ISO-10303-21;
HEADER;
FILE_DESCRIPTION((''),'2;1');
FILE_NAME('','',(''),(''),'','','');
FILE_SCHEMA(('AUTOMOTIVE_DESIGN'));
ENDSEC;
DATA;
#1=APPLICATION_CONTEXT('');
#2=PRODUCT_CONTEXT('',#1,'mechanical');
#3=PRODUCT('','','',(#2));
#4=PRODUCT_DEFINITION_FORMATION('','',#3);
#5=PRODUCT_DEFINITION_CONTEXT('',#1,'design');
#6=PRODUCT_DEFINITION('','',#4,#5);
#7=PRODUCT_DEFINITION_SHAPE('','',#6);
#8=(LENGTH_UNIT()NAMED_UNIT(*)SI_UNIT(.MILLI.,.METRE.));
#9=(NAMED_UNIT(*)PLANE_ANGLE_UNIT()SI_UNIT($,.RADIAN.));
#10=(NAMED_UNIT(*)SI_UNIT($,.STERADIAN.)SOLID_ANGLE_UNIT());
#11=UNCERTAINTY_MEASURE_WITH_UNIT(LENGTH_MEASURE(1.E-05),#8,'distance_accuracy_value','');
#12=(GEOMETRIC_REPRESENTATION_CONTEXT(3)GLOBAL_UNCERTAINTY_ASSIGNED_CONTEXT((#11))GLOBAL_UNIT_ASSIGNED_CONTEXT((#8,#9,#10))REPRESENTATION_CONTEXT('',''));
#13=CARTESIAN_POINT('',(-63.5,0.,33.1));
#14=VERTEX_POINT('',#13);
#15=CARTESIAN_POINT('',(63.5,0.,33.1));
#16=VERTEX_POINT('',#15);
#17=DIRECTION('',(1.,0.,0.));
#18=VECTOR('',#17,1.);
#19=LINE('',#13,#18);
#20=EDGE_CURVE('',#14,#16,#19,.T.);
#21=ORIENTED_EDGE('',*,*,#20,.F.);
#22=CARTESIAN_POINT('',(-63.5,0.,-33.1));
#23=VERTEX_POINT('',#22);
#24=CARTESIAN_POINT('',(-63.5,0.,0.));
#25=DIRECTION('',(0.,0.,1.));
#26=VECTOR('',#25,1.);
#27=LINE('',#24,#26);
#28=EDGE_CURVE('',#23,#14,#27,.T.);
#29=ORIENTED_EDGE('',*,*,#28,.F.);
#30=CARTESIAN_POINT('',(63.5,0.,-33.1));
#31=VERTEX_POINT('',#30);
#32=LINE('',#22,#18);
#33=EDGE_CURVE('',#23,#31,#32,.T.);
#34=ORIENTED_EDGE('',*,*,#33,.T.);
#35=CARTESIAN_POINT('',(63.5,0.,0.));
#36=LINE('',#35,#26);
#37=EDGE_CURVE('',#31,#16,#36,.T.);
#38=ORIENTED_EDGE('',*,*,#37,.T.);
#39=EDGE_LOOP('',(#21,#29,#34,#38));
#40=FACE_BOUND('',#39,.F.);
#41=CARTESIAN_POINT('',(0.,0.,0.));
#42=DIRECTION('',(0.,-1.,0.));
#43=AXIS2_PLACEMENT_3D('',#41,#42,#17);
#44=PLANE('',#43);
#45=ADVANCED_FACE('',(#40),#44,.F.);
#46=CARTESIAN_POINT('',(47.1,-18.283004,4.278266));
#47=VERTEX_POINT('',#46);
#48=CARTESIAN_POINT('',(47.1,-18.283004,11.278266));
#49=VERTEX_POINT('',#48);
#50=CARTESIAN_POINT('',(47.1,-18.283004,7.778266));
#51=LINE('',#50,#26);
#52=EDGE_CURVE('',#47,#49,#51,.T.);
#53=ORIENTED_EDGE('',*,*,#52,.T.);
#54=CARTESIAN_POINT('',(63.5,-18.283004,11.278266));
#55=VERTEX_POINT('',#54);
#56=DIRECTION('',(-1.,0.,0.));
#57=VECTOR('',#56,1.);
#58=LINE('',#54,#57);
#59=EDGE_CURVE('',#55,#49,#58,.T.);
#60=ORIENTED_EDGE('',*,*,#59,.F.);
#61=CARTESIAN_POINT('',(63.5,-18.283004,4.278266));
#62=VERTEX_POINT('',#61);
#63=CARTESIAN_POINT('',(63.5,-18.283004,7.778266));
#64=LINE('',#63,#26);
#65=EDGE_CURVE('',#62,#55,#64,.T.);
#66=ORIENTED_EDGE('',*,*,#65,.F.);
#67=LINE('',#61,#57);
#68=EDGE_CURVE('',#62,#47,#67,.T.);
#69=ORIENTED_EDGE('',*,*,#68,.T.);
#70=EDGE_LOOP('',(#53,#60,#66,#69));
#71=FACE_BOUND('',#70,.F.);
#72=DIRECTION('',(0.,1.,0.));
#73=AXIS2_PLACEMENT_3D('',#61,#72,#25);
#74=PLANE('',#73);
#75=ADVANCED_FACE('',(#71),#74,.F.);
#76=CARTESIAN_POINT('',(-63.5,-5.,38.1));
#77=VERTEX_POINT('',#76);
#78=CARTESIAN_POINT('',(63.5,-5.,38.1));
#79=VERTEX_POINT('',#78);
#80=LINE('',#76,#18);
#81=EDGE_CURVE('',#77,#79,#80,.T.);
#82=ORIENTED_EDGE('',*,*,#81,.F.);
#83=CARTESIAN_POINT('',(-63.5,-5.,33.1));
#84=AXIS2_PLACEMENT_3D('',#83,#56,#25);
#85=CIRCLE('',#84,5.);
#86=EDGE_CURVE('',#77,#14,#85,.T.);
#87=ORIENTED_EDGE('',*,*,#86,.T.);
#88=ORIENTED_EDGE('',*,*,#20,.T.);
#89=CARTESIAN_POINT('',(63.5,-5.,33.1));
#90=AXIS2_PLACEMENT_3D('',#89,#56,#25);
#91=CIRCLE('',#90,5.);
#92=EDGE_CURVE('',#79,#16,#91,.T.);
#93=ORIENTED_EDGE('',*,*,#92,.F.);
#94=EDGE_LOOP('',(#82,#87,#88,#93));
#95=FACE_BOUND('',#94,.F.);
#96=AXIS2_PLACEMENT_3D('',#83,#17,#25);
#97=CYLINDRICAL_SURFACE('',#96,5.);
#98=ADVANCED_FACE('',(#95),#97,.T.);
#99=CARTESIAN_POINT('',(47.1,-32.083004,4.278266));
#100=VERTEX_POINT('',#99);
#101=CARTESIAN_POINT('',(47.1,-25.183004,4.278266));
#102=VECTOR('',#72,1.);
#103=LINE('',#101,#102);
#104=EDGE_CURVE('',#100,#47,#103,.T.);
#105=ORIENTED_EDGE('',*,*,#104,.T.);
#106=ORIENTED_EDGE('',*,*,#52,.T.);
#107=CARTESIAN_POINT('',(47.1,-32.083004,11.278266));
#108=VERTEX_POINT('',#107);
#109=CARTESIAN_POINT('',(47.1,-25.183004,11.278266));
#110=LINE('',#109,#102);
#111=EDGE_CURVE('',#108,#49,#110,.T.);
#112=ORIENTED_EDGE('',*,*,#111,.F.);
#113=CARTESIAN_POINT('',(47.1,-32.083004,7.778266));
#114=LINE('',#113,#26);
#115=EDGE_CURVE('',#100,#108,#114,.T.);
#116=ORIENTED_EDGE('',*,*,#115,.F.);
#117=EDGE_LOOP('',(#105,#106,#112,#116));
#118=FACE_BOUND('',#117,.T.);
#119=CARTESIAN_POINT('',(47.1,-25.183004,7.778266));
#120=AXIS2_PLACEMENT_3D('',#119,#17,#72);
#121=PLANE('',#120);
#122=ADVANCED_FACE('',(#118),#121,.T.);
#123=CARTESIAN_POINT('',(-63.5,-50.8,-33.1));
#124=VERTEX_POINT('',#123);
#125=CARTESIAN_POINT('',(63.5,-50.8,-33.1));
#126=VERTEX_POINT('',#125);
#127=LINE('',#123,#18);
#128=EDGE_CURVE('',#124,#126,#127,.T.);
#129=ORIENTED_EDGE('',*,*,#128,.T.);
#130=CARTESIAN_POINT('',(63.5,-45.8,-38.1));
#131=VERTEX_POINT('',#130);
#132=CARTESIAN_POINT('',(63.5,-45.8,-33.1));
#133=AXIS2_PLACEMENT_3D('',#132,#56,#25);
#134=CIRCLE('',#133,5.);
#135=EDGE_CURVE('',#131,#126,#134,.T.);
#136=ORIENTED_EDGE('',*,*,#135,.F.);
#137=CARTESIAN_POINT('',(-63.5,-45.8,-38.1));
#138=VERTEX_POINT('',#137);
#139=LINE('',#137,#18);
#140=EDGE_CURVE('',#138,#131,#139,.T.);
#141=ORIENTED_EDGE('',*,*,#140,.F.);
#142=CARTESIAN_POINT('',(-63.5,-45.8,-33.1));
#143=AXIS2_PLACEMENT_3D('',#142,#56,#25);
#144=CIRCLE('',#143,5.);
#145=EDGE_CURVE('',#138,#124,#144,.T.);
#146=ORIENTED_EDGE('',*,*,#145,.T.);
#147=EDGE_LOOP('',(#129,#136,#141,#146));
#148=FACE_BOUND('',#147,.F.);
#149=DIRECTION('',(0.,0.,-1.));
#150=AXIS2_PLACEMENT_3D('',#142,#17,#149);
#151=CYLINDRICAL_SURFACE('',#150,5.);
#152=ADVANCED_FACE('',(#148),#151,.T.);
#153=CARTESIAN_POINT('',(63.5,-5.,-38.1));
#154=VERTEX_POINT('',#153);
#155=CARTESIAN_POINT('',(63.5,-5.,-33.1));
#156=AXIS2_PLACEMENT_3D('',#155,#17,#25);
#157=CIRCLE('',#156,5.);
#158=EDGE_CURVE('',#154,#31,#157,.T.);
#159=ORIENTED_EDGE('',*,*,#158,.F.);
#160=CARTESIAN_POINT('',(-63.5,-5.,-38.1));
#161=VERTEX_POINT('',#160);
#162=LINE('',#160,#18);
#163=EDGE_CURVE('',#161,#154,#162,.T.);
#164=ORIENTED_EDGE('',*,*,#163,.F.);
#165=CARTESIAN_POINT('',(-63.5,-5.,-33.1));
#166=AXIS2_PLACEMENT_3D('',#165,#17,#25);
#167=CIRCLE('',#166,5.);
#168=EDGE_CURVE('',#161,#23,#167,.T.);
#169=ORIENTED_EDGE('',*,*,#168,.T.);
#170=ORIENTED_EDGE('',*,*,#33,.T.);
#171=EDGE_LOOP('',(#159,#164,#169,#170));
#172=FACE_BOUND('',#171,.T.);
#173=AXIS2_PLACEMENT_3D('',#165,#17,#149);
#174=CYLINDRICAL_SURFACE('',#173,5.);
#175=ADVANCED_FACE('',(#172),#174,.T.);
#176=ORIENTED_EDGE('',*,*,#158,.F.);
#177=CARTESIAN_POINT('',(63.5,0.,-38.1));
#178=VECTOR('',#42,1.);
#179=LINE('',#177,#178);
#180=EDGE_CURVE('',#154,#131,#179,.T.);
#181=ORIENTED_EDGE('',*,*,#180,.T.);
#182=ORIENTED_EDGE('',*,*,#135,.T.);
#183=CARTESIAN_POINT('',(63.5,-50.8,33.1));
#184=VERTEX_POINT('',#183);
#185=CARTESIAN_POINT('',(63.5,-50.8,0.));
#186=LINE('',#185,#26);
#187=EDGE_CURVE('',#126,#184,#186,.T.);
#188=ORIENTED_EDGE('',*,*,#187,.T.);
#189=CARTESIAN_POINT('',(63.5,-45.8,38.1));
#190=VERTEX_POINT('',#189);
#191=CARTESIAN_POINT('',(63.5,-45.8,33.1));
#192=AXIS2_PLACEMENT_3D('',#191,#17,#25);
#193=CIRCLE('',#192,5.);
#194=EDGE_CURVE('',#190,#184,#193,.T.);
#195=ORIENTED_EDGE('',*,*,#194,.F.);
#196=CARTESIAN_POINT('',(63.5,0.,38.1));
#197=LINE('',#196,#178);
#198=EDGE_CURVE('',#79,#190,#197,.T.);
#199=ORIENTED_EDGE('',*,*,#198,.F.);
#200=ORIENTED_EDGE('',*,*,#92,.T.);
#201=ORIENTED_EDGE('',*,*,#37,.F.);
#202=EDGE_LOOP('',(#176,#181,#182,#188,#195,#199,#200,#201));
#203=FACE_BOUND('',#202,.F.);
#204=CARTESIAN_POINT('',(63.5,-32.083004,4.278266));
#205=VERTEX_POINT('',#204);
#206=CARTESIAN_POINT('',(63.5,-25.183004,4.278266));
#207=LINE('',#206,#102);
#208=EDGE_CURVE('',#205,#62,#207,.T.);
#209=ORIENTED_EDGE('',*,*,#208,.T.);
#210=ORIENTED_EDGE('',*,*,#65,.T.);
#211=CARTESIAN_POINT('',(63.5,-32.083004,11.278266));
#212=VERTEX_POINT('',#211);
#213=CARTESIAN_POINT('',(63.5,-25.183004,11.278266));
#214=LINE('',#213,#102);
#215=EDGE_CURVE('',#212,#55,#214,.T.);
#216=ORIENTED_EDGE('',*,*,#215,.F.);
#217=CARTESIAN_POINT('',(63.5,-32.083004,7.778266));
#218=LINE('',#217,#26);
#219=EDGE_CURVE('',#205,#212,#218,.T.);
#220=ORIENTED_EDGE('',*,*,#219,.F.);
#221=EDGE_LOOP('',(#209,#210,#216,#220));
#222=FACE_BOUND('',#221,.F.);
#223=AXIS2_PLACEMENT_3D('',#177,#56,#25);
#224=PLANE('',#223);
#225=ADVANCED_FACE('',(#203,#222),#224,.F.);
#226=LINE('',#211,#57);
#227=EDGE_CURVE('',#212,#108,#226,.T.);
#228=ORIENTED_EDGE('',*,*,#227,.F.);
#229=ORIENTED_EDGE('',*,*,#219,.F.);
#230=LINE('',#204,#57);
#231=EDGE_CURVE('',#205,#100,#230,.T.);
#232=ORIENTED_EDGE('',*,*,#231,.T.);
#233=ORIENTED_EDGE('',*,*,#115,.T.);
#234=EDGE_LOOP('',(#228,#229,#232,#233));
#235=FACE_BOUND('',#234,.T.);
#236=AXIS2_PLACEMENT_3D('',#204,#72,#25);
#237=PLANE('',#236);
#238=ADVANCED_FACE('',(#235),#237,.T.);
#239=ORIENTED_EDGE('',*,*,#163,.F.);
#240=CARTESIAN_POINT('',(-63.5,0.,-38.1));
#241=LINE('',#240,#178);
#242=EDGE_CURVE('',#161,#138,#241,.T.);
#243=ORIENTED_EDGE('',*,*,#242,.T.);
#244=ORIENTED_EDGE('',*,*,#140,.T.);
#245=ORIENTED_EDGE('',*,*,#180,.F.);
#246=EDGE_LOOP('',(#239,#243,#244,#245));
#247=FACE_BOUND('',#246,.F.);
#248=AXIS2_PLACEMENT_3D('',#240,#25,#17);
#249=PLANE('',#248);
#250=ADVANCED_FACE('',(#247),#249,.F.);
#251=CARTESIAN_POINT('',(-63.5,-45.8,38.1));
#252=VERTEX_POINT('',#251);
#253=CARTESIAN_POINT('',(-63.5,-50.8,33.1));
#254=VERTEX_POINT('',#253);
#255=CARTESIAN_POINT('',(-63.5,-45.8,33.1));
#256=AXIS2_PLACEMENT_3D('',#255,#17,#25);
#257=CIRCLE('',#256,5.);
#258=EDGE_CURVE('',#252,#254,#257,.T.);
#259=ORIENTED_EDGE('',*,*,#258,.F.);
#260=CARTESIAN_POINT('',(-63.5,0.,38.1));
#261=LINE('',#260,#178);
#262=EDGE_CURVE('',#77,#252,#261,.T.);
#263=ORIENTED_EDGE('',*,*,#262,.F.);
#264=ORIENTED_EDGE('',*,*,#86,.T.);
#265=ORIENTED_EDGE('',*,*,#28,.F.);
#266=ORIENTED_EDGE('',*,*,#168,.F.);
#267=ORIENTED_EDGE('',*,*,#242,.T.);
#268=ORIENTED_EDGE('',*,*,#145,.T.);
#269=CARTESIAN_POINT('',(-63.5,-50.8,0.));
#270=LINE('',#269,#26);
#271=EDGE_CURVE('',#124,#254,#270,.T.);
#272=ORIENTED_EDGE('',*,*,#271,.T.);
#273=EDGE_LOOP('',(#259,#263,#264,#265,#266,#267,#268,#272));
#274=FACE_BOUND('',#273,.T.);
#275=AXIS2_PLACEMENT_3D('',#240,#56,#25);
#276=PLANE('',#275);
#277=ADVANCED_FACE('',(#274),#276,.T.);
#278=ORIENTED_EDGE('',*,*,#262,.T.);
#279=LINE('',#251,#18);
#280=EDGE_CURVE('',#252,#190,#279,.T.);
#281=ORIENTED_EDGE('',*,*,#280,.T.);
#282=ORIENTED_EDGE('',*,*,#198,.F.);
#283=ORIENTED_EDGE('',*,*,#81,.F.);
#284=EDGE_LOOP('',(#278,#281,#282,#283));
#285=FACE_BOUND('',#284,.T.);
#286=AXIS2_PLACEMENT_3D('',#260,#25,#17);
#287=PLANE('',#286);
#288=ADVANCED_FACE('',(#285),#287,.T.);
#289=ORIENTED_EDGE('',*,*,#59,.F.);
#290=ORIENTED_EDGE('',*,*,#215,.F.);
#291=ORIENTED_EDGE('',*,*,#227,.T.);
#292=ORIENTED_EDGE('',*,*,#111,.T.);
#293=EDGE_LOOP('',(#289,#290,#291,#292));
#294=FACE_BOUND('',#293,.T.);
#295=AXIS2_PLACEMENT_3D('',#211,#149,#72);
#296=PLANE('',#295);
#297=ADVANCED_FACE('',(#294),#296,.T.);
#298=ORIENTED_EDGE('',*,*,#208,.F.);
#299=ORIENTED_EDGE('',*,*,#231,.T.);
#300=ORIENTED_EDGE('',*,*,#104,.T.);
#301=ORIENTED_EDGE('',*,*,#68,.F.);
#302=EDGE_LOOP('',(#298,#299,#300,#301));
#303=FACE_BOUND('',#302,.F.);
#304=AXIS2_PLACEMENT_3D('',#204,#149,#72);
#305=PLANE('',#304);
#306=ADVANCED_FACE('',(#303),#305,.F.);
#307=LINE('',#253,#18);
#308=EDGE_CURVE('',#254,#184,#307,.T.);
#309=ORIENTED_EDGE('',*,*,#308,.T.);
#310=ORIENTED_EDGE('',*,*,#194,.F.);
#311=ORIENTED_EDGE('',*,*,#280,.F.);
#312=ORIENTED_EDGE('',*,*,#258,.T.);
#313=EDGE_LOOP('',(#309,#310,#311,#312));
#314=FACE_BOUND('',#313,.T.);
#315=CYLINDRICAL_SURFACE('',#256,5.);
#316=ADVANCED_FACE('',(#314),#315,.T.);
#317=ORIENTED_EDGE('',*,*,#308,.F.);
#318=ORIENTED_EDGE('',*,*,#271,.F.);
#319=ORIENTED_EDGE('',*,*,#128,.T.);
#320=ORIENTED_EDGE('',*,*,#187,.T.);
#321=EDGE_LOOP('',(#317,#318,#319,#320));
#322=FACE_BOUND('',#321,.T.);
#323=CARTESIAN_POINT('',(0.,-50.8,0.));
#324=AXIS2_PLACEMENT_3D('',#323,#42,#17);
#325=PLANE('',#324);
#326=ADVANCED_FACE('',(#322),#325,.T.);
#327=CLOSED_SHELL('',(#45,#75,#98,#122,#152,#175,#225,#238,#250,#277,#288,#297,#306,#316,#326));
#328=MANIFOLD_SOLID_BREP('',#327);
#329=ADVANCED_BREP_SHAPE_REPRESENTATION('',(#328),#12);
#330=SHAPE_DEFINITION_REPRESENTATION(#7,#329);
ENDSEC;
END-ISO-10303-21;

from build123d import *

# Parameters (mm, degrees)
F0_W     = 127
F0_H     = 76.2
F1_DEPTH = 50.8
F2_R     = 5
F3_W     = 13.8
F3_H     = 7
F4_DEPTH = 16.4


with BuildPart() as f1:
    # F0 (on Front) → F1 (new body)
    with BuildSketch(Plane.XZ):
        Rectangle(F0_W, F0_H)
    extrude(amount=F1_DEPTH)

    # F2
    f2_edges = [f1.edges().sort_by_distance(p)[0] for p in [
        (0, -50.8, 38.1),
        (0, 0, 38.1),
        (0, 0, -38.1),
        (0, -50.8, -38.1),
    ]]
    fillet(f2_edges, radius=F2_R)

    # F3 (on face) → F4 (cut)
    with BuildSketch(Plane.YZ.offset(63.5)):
        with Locations((-25.183004, 7.778266)):
            Rectangle(F3_W, F3_H)
    extrude(amount=-F4_DEPTH, mode=Mode.SUBTRACT)


solid = f1.part
